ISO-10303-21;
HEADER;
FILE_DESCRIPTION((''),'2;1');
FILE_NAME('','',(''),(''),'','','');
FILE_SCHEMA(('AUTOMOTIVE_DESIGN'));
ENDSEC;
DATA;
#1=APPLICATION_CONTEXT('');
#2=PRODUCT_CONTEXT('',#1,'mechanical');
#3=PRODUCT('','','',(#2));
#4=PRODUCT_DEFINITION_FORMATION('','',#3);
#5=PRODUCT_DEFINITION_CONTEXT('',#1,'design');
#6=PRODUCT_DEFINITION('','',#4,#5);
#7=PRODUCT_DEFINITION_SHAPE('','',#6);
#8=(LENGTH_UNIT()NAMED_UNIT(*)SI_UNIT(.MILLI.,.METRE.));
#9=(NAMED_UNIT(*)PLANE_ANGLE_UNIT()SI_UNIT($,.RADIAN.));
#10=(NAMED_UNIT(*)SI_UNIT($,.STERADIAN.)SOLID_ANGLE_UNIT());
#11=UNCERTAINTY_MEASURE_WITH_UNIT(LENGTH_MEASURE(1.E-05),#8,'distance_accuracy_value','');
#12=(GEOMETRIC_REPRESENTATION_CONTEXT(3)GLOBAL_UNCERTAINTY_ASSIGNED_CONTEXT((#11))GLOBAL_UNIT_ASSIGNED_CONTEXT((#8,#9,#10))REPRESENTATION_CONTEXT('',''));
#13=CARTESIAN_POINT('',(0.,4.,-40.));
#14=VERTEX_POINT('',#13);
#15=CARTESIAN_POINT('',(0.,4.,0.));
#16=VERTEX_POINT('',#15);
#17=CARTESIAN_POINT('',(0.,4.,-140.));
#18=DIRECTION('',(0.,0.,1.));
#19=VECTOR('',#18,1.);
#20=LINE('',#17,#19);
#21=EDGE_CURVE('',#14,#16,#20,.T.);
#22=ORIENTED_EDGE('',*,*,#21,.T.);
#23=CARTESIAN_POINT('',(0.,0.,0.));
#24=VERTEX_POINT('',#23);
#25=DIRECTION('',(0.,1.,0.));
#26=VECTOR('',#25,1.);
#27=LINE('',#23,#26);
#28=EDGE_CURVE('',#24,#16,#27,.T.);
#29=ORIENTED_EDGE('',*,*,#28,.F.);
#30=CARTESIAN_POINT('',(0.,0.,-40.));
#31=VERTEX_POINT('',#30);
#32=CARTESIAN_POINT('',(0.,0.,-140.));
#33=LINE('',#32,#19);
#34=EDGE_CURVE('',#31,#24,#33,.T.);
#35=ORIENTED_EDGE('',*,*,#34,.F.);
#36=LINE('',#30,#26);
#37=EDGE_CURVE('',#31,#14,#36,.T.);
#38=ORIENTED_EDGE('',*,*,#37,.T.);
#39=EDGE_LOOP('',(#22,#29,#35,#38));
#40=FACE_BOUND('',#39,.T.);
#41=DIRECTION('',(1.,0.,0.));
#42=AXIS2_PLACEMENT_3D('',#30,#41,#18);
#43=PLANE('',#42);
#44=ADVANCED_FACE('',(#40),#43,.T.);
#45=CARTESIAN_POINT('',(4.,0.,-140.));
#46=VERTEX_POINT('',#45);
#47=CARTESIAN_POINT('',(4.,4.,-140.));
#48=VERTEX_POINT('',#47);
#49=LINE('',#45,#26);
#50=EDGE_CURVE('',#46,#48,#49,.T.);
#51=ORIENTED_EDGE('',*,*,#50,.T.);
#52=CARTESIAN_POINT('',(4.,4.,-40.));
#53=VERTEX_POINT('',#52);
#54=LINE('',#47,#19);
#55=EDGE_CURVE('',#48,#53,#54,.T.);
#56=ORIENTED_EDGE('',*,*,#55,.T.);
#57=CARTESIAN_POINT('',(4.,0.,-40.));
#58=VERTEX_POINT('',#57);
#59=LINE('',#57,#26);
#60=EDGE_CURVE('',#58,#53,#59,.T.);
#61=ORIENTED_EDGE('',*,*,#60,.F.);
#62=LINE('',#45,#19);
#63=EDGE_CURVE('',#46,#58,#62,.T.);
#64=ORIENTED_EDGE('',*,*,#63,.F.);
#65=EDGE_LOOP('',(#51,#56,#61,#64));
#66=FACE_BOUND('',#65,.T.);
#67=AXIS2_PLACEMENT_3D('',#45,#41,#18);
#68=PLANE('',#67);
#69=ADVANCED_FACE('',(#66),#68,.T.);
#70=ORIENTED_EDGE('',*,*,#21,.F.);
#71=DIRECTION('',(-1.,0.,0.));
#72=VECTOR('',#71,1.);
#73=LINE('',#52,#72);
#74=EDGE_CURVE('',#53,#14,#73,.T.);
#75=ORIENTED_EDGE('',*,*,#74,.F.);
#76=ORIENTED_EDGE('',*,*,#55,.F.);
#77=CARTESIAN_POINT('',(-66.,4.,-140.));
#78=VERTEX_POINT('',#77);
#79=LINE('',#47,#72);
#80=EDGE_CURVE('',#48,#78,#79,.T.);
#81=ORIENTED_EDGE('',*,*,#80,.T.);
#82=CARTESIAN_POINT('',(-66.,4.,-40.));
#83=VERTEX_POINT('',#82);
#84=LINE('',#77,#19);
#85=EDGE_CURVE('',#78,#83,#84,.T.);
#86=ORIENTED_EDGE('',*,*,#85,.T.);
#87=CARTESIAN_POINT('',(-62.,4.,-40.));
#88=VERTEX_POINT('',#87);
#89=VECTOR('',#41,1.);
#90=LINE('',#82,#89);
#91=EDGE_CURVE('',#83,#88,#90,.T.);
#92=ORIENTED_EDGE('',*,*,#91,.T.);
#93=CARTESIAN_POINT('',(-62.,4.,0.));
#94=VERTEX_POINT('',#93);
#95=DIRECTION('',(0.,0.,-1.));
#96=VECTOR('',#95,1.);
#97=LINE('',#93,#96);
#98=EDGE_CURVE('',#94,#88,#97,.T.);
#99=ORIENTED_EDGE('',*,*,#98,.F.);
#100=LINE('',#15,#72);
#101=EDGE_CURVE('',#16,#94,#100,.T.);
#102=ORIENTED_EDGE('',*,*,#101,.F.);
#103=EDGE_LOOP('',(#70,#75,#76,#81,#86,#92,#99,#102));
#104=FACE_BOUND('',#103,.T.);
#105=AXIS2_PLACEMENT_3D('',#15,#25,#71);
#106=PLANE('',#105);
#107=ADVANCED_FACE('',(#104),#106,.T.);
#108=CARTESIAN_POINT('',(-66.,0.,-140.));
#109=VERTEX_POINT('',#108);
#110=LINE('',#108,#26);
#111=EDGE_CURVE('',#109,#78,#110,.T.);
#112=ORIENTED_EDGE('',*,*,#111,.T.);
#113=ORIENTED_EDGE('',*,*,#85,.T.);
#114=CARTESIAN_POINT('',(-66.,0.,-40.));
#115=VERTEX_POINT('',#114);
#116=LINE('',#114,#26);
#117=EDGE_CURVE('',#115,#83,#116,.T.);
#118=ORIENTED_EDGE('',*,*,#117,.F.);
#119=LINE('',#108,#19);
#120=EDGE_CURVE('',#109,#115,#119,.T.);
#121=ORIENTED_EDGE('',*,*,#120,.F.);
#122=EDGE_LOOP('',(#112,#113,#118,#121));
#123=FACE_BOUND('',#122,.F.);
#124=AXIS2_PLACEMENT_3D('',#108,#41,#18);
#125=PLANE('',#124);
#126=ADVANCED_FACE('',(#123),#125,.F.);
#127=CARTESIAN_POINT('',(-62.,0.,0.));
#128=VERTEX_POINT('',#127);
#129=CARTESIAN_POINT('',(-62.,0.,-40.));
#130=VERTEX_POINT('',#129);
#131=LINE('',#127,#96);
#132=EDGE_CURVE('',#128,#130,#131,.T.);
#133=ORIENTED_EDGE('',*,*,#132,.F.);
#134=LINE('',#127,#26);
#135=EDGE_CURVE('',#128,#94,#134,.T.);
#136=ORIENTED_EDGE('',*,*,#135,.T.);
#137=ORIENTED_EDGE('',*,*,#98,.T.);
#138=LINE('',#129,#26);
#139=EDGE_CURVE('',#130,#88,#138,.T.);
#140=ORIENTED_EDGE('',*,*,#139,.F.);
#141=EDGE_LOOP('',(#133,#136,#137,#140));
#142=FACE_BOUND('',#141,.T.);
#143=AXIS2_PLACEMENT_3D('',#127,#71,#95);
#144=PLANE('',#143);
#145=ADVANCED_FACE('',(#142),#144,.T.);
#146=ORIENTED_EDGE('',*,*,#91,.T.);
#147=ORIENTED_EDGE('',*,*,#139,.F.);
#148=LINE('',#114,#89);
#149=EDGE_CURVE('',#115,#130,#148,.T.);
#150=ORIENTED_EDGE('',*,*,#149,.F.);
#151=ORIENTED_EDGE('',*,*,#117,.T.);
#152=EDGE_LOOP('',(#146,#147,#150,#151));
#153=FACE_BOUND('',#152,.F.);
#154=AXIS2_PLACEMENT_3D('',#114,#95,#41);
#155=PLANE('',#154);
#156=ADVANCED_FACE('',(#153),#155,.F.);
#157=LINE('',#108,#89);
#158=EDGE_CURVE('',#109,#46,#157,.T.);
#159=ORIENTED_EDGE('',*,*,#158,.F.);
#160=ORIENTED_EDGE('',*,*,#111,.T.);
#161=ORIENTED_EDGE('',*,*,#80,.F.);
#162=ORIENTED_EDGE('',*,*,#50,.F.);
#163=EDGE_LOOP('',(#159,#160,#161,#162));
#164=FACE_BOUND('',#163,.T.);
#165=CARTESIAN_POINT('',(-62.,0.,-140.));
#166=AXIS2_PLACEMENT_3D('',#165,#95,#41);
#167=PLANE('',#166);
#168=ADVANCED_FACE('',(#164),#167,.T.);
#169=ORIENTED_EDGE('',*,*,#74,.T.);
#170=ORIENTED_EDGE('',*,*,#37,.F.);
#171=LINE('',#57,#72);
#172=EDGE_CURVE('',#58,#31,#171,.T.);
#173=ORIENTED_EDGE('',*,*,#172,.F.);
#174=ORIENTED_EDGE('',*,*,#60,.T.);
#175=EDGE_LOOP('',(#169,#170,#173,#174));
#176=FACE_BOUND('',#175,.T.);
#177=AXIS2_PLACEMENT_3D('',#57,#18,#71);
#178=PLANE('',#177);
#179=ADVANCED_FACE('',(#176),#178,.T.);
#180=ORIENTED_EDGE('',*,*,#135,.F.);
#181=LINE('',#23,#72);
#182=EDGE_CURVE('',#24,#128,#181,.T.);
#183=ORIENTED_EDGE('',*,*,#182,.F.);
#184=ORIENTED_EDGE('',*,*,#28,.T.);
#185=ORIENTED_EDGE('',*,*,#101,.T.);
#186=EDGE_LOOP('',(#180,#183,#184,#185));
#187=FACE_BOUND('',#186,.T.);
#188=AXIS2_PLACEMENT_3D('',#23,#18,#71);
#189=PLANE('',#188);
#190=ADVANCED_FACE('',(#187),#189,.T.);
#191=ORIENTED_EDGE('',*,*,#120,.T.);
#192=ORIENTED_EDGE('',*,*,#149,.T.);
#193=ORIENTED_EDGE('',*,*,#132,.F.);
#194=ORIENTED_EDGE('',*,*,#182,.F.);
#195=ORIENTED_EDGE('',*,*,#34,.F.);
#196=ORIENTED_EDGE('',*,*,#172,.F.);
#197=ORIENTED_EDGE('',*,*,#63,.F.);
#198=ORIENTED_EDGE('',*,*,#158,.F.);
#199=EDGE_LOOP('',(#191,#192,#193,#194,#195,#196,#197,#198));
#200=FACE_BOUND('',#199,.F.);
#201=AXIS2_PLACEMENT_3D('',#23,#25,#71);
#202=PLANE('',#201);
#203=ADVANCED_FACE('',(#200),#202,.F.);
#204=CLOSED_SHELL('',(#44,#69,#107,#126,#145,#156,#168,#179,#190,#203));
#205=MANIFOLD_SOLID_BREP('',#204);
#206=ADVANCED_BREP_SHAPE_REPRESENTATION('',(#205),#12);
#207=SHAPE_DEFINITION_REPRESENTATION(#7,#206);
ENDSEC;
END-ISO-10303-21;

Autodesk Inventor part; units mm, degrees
ref_plane "YZ Plane" through (0, 0, 0) normal (1, 0, 0) x (0, 1, 0)
ref_plane "XZ Plane" through (0, 0, 0) normal (0, 1, 0) x (-1, 0, 0)
ref_plane "XY Plane" through (0, 0, 0) normal (0, 0, 1) x (1, 0, 0)
sketch "スケッチ1" plane through (0, 0, 0) normal (0, 1, 0) x (-1, 0, 0)
  line L0 (0, 0) -> (62, 0)
  line L1 (62, 0) -> (62, -140)
  line L2 (62, -140) -> (0, -140)
  line L3 (0, -140) -> (0, 0)
  line L4 (0, -140) -> (-4, -140)
  line L5 (-4, -140) -> (-4, -40)
  line L6 (-4, -40) -> (0, -40)
  line L7 (0, -40) -> (0, -140)
  line L8 (62, -140) -> (66, -140)
  line L9 (66, -140) -> (66, -40)
  line L10 (66, -40) -> (62, -40)
  line L11 (62, -40) -> (62, -140)
  dimension "d0" = 62
  dimension "d1" = 140
  dimension "d2" = 4
  dimension "d3" = 100
  dimension "d4" = 4
  dimension "d5" = 100
extrude "押し出し1" add sketch "スケッチ1" along normal blind 4
properties part number "ER_lipo_sikiri" material "木材 (オーク)"
